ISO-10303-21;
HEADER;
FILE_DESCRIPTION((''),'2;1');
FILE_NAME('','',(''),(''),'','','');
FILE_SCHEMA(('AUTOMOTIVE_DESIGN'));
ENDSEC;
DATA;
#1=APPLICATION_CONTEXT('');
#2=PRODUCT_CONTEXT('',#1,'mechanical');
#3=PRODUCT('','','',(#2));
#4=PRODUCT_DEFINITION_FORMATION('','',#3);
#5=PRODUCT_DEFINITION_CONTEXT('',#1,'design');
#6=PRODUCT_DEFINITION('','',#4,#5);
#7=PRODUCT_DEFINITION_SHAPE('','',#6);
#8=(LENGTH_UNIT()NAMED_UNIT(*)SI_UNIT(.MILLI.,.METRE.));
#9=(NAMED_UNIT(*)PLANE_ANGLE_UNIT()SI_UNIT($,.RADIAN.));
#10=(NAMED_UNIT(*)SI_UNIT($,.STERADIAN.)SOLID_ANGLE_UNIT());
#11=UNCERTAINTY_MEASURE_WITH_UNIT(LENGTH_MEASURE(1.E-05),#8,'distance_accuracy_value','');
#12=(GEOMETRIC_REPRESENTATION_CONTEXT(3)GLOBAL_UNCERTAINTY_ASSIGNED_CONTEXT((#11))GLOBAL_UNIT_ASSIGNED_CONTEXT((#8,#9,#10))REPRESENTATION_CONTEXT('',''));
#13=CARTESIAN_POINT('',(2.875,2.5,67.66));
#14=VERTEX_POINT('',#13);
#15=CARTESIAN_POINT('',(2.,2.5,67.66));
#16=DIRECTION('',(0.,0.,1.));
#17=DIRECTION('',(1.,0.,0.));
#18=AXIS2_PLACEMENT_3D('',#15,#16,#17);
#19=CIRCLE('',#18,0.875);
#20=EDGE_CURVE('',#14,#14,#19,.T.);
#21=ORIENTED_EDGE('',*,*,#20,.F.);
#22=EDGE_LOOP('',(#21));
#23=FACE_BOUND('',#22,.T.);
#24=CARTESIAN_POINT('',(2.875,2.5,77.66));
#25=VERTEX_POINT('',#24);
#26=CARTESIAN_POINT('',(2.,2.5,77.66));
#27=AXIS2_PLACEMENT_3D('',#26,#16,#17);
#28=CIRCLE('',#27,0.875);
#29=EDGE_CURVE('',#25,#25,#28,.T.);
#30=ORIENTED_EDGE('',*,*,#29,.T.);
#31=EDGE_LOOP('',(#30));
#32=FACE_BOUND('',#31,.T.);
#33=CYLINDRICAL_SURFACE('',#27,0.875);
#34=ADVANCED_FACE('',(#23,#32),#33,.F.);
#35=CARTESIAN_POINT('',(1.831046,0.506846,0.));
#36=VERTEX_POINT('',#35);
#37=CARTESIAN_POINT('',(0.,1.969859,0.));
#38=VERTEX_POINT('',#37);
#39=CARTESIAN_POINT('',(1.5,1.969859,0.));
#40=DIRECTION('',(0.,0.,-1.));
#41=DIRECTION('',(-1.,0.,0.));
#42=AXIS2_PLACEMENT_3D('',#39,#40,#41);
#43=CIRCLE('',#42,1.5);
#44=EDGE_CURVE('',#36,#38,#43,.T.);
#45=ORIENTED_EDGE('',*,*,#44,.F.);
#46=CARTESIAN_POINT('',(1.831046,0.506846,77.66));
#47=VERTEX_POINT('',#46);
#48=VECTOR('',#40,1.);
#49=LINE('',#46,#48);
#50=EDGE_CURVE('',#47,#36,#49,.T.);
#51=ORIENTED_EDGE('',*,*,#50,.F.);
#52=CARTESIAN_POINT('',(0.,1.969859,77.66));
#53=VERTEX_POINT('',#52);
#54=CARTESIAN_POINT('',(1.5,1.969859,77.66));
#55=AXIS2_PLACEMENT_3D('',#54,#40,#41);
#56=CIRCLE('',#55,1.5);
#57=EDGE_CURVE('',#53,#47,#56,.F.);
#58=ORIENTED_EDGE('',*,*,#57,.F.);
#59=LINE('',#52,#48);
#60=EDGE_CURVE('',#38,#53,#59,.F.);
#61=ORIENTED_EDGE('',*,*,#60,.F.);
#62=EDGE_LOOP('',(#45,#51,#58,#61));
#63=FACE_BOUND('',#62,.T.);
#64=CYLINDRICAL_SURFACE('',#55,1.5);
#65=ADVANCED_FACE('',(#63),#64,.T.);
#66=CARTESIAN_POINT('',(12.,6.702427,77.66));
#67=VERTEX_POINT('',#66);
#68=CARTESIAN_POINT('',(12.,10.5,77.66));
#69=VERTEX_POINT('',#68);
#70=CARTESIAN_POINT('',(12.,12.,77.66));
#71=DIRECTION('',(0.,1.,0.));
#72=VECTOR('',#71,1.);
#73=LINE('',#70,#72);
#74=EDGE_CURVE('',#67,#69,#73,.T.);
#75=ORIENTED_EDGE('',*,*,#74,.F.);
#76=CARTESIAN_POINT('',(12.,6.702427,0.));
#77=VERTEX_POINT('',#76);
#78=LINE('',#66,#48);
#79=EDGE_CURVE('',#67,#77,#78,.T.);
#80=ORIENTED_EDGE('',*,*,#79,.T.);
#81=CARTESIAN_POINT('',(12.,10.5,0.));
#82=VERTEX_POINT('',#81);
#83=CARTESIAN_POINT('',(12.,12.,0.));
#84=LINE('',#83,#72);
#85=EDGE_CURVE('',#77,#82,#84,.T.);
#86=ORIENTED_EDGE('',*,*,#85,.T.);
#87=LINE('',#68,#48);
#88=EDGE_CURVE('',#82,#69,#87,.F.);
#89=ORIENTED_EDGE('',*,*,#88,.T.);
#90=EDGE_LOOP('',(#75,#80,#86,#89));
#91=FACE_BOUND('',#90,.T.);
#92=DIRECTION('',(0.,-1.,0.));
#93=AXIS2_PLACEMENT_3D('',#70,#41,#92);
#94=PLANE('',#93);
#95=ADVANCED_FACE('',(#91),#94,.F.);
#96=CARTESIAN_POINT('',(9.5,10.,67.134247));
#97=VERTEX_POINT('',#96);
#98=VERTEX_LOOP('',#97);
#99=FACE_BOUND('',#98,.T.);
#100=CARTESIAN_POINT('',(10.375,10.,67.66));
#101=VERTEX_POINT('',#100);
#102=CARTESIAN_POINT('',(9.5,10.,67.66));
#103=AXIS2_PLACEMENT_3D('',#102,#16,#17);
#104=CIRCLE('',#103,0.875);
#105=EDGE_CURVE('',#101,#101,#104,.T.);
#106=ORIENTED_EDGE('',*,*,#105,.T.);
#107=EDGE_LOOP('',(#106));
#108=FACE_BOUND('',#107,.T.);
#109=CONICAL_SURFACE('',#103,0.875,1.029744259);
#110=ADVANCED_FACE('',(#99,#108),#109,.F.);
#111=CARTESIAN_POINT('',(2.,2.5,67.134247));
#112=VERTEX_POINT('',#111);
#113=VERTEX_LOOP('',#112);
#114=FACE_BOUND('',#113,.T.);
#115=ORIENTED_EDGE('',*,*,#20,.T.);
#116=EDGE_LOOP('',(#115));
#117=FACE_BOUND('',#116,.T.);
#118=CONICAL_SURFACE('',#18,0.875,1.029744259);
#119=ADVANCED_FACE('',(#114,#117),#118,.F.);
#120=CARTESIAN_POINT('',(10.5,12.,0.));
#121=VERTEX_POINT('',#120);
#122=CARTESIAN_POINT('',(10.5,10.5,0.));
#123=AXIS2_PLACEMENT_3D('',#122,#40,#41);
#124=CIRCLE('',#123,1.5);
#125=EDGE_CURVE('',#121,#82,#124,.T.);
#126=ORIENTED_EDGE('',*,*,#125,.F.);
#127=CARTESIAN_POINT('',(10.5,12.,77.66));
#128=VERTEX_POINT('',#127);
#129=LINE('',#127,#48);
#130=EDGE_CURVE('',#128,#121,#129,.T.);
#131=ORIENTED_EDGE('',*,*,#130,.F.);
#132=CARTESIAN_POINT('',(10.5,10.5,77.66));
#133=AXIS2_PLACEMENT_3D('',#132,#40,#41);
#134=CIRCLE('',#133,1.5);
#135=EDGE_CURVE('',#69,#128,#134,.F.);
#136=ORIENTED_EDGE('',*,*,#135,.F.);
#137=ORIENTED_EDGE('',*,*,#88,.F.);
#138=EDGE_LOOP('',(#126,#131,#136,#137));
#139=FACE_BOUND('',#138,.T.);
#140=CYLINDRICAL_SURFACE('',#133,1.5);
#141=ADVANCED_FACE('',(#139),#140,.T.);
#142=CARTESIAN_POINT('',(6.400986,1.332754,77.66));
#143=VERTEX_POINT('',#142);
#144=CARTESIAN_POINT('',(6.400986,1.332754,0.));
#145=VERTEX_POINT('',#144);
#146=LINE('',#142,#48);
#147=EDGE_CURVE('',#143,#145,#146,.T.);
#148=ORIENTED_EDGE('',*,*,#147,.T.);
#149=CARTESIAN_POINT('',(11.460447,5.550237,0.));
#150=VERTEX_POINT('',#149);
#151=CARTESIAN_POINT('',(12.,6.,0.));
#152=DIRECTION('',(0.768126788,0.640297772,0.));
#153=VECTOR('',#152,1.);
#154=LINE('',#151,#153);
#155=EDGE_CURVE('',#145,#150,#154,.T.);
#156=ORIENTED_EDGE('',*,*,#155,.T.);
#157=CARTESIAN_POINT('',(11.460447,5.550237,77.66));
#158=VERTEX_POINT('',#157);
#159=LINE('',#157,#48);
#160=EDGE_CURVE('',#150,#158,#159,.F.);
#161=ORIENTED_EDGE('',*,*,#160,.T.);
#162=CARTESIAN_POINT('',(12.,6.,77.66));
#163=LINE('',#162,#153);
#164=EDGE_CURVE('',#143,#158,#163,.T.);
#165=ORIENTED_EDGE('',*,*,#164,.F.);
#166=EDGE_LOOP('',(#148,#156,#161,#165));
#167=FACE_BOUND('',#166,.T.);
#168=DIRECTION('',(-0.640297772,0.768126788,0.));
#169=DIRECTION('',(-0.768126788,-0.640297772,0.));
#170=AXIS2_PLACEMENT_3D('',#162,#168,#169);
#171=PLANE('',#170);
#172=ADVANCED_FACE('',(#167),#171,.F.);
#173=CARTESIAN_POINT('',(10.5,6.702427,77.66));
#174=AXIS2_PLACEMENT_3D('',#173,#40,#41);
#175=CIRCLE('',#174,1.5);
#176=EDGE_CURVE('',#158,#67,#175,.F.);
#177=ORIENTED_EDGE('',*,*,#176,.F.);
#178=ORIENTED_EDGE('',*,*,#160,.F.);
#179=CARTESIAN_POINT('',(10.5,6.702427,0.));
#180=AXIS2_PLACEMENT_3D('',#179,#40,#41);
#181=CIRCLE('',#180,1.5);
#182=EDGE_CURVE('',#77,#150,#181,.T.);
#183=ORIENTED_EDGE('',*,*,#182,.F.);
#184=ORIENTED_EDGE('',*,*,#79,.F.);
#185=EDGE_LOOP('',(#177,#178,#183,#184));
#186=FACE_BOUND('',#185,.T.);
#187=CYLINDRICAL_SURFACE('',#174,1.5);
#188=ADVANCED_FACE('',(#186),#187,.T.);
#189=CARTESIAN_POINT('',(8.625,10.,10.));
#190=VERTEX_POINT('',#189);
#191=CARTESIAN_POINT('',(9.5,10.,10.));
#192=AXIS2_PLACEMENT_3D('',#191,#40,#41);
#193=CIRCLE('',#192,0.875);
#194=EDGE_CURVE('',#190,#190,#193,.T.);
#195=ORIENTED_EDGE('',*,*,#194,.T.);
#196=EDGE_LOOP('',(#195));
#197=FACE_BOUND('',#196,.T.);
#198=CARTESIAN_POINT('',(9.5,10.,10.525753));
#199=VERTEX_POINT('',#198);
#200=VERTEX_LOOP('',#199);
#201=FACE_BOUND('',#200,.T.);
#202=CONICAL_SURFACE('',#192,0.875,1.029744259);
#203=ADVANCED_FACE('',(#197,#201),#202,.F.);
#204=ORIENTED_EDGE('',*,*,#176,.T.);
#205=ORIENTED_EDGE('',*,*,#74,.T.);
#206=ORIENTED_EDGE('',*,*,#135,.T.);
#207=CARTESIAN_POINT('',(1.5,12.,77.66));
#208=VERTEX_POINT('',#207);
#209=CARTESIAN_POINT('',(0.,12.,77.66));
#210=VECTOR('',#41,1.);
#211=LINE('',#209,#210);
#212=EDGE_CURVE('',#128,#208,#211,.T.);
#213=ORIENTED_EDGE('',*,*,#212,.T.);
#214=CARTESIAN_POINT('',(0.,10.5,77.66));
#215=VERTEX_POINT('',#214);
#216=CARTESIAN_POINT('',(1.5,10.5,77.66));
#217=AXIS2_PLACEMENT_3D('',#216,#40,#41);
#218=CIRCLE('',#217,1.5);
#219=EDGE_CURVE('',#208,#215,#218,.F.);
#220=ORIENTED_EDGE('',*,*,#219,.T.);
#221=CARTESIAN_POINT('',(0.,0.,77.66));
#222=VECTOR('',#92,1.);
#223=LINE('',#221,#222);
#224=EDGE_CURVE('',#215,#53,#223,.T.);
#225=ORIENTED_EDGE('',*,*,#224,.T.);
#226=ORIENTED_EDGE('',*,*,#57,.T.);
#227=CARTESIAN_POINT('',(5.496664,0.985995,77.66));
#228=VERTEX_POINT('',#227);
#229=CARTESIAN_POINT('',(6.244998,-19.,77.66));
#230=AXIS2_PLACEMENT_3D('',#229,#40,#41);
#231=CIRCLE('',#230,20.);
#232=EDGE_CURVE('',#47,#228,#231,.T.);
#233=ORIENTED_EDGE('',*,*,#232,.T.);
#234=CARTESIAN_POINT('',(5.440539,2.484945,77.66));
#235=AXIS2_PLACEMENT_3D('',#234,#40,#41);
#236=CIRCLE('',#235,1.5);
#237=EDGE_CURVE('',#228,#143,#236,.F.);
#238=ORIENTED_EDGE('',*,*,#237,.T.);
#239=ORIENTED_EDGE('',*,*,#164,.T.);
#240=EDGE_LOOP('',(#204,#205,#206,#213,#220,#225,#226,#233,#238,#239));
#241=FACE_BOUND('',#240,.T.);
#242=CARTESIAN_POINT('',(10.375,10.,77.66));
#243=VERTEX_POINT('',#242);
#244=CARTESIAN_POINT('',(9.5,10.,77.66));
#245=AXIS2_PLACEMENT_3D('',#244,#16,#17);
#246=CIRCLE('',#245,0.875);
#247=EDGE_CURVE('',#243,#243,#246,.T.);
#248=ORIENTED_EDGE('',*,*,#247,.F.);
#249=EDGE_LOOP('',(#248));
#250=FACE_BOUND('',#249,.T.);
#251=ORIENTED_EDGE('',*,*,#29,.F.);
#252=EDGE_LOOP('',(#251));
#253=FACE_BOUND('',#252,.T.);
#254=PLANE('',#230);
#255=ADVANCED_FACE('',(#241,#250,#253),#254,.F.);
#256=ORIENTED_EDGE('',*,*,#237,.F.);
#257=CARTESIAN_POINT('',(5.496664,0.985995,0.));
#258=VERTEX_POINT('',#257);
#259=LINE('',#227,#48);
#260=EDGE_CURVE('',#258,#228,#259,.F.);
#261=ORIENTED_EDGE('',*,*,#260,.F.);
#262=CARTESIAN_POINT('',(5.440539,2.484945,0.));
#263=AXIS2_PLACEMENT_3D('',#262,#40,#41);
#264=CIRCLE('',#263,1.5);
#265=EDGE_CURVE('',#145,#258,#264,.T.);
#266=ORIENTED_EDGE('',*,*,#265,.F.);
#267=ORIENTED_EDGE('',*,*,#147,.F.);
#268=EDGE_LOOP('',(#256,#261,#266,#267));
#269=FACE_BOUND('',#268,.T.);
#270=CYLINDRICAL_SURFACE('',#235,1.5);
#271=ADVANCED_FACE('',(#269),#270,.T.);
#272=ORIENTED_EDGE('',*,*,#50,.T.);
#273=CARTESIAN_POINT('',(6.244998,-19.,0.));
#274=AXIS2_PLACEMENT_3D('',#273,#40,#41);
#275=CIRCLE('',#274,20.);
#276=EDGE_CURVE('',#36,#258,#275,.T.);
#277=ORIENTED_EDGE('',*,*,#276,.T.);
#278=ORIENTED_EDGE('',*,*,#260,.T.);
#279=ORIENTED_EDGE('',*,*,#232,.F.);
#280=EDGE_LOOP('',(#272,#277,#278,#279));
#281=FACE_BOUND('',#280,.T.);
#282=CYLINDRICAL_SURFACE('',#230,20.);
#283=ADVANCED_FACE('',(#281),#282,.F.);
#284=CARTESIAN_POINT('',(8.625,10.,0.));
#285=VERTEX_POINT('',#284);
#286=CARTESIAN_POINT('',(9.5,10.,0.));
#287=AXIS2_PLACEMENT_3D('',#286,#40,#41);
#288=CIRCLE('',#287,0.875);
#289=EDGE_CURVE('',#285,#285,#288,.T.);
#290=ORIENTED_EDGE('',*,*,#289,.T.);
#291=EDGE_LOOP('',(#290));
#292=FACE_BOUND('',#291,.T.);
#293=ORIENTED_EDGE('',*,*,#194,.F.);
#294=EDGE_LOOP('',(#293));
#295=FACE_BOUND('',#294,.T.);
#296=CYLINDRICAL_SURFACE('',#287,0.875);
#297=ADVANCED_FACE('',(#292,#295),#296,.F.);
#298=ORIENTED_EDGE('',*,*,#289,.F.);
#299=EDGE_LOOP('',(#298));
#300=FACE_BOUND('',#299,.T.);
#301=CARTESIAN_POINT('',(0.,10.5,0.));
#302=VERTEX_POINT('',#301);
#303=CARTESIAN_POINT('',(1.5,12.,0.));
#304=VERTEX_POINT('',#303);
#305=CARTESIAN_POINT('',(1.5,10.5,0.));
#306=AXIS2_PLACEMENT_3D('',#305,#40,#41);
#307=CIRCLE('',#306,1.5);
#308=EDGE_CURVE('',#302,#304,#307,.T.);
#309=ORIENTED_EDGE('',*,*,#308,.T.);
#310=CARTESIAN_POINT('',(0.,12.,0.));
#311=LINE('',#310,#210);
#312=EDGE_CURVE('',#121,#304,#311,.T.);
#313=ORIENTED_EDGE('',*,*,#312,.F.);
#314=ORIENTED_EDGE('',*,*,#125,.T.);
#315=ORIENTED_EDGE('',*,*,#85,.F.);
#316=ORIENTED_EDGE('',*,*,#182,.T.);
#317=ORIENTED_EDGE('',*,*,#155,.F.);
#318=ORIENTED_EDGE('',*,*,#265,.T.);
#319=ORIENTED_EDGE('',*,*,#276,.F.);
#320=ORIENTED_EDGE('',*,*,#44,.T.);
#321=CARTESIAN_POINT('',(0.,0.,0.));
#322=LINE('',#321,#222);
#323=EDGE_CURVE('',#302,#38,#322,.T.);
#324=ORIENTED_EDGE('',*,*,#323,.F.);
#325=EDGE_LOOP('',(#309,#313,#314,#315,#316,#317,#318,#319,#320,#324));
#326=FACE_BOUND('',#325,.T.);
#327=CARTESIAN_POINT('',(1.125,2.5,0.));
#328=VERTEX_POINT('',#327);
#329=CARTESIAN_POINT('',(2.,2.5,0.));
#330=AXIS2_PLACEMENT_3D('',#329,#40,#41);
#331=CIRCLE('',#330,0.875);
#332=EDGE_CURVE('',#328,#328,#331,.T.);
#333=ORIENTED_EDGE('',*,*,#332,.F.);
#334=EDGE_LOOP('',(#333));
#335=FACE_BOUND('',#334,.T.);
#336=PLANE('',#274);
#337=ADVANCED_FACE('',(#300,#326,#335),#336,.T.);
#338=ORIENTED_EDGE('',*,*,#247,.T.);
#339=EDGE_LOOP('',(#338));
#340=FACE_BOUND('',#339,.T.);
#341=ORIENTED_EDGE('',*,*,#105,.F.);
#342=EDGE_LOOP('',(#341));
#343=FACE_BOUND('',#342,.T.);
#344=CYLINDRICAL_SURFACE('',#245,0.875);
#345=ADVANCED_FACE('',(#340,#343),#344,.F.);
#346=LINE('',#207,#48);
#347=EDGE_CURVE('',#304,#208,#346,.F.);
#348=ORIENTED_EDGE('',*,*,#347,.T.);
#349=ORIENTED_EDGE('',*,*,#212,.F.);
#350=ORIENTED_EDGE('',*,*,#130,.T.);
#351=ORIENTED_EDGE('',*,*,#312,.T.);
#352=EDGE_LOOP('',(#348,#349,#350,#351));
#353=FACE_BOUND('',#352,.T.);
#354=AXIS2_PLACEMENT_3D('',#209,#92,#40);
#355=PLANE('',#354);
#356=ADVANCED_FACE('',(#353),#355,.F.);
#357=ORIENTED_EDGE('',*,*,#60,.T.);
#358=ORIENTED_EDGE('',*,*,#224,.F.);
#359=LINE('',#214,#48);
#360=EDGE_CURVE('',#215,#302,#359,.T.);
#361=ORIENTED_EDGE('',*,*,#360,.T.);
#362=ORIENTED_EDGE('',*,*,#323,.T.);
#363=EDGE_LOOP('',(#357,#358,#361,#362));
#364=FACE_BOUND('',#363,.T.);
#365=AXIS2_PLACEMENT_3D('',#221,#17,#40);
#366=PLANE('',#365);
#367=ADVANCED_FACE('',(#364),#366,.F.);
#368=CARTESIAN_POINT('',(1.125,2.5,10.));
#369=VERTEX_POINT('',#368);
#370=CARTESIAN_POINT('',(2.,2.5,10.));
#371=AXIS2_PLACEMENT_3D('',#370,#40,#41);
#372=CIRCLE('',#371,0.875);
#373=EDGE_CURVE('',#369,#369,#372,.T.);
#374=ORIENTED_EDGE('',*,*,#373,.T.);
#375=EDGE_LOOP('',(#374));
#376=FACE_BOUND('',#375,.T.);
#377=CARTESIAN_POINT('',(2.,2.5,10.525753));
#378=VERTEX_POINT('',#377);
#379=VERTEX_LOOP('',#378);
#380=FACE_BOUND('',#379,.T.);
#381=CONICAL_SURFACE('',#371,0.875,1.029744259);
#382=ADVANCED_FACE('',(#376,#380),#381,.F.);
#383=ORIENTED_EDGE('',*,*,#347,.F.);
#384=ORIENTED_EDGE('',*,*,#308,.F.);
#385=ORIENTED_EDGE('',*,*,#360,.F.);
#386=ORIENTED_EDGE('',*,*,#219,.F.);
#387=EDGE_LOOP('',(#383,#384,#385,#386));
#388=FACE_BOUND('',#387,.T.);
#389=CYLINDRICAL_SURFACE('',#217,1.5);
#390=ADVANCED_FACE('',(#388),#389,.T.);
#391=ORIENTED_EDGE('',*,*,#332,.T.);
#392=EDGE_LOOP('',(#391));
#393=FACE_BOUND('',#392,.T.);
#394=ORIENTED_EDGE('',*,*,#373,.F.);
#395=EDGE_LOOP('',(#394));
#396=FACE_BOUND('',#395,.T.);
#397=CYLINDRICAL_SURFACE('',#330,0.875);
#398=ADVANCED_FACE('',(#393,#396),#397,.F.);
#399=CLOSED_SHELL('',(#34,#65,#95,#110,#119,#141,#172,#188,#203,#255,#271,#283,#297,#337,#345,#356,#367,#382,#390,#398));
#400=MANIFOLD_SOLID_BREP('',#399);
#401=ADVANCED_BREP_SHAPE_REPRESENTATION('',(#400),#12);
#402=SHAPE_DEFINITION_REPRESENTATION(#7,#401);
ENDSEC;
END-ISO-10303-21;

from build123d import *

# Parameters (mm, degrees)
BOSS_EXTRUDE1_DEPTH                    = 77.66
M2_2X0_45_TAPPED_HOLE1_D               = 1.75
M2_2X0_45_TAPPED_HOLE1_DEPTH           = 10
M2_2X0_45_TAPPED_HOLE1_TIP             = 0.525753042
M2_2X0_45_TAPPED_HOLE1_ON_FACE_2_D     = 1.75
M2_2X0_45_TAPPED_HOLE1_ON_FACE_2_DEPTH = 10
M2_2X0_45_TAPPED_HOLE1_ON_FACE_2_TIP   = 0.525753042
FILLET1_R                              = 1.5


with BuildPart() as part:
    # Sketch1 → Boss-Extrude1 (new body)
    with BuildSketch(Plane.XY):
        with BuildLine():
            Line((0, 0), (0, 12))
            Line((0, 12), (12, 12))
            Line((12, 12), (12, 6))
            Line((12, 6), (6, 0.998499343))
            ThreePointArc((6, 0.998499343), (2.961819318, 0.728678054), (0, 0))
        make_face()
    extrude(amount=BOSS_EXTRUDE1_DEPTH)

    # M2.2x0.45 Tapped Hole1
    with Locations(Plane(origin=(2, 2.5, 77.66), x_dir=(1, 0, 0), z_dir=(0, 0, 1))):
        with Locations((0, 0), (7.5, 7.5)):
            Hole(M2_2X0_45_TAPPED_HOLE1_D / 2, depth=M2_2X0_45_TAPPED_HOLE1_DEPTH)
            with Locations((0, 0, -(M2_2X0_45_TAPPED_HOLE1_DEPTH + M2_2X0_45_TAPPED_HOLE1_TIP / 2))):  # 118° drill point
                Cone(0, M2_2X0_45_TAPPED_HOLE1_D / 2, M2_2X0_45_TAPPED_HOLE1_TIP, mode=Mode.SUBTRACT)

    # M2.2x0.45 Tapped Hole1 on face 2
    with Locations(Plane(origin=(2, 2.5, 0), x_dir=(-1, 0, 0), z_dir=(0, 0, -1))):
        with Locations((0, 0), (-7.5, 7.5)):
            Hole(M2_2X0_45_TAPPED_HOLE1_ON_FACE_2_D / 2, depth=M2_2X0_45_TAPPED_HOLE1_ON_FACE_2_DEPTH)
            with Locations((0, 0, -(M2_2X0_45_TAPPED_HOLE1_ON_FACE_2_DEPTH + M2_2X0_45_TAPPED_HOLE1_ON_FACE_2_TIP / 2))):  # 118° drill point
                Cone(0, M2_2X0_45_TAPPED_HOLE1_ON_FACE_2_D / 2, M2_2X0_45_TAPPED_HOLE1_ON_FACE_2_TIP, mode=Mode.SUBTRACT)

    # Fillet1
    fillet1_edges = [part.edges().sort_by_distance(p)[0] for p in [
        (0, 0, 38.83),
        (0, 12, 38.83),
        (12, 12, 38.83),
        (12, 6, 38.83),
        (6, 0.998499343, 38.83),
    ]]
    fillet(fillet1_edges, radius=FILLET1_R)


solid = part.part
